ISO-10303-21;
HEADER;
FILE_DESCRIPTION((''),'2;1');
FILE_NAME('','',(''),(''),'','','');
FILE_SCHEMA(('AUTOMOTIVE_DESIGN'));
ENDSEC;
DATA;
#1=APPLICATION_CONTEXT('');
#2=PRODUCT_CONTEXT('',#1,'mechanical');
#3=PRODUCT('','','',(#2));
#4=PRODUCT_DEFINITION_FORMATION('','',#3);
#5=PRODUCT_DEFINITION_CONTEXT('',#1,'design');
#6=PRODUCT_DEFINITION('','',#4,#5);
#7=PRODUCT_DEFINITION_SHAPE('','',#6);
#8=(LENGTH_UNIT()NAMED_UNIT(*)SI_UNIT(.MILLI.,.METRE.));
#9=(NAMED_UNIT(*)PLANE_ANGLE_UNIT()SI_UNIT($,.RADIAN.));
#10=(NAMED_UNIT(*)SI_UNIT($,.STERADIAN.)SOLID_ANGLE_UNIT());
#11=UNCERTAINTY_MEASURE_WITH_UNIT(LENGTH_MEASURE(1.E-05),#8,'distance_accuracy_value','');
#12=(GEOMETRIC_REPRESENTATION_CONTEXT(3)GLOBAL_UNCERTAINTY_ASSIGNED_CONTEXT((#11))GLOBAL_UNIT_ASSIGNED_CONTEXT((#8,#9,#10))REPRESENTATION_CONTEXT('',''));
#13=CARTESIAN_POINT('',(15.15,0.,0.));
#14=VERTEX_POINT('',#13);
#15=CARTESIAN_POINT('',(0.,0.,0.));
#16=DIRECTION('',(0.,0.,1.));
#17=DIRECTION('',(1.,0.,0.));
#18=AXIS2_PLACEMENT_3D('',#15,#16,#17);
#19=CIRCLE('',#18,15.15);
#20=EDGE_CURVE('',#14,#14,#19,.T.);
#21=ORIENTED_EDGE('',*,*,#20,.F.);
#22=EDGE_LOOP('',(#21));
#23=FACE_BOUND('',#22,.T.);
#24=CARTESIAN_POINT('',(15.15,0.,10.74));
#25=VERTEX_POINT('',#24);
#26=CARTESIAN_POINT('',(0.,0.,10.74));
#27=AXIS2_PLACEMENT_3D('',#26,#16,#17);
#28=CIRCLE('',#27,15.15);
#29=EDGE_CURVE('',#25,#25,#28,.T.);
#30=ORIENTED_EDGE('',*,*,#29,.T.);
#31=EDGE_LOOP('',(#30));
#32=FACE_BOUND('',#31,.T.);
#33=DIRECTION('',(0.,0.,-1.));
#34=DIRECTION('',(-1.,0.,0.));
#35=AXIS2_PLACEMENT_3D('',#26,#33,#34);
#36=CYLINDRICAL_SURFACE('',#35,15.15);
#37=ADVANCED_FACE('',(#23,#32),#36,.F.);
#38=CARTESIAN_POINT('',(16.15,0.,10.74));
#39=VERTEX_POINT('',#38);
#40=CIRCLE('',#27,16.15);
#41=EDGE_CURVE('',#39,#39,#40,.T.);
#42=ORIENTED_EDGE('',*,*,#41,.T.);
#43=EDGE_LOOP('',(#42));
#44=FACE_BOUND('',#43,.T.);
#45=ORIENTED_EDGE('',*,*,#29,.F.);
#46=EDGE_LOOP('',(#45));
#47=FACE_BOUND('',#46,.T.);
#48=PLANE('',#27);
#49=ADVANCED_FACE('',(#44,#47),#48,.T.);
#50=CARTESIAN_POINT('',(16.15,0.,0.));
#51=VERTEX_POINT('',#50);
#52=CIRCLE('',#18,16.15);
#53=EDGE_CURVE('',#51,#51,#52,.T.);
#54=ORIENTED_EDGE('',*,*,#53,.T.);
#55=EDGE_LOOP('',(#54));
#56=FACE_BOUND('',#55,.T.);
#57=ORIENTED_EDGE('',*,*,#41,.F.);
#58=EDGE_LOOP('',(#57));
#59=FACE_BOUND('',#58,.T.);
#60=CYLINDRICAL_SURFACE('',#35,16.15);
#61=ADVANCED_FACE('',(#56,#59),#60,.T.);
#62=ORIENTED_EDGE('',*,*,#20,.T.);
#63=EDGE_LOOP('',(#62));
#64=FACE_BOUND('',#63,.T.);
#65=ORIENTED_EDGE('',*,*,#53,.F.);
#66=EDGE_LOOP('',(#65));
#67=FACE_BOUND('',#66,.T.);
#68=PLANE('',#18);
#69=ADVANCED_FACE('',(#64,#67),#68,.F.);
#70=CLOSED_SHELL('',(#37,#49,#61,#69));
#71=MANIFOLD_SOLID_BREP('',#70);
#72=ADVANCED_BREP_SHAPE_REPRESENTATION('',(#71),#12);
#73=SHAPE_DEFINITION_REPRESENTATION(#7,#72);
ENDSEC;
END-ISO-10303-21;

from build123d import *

# Parameters (mm, degrees)
SKETCH_1_R      = 16.15
SKETCH_1_R_2    = 15.15
EXTRUDE_1_DEPTH = 10.74


with BuildPart() as part:
    # 草图1 → 拉伸-薄壁1 (new body)
    with BuildSketch(Plane.XY):
        Circle(SKETCH_1_R)
        Circle(SKETCH_1_R_2, mode=Mode.SUBTRACT)
    extrude(amount=EXTRUDE_1_DEPTH)


solid = part.part
